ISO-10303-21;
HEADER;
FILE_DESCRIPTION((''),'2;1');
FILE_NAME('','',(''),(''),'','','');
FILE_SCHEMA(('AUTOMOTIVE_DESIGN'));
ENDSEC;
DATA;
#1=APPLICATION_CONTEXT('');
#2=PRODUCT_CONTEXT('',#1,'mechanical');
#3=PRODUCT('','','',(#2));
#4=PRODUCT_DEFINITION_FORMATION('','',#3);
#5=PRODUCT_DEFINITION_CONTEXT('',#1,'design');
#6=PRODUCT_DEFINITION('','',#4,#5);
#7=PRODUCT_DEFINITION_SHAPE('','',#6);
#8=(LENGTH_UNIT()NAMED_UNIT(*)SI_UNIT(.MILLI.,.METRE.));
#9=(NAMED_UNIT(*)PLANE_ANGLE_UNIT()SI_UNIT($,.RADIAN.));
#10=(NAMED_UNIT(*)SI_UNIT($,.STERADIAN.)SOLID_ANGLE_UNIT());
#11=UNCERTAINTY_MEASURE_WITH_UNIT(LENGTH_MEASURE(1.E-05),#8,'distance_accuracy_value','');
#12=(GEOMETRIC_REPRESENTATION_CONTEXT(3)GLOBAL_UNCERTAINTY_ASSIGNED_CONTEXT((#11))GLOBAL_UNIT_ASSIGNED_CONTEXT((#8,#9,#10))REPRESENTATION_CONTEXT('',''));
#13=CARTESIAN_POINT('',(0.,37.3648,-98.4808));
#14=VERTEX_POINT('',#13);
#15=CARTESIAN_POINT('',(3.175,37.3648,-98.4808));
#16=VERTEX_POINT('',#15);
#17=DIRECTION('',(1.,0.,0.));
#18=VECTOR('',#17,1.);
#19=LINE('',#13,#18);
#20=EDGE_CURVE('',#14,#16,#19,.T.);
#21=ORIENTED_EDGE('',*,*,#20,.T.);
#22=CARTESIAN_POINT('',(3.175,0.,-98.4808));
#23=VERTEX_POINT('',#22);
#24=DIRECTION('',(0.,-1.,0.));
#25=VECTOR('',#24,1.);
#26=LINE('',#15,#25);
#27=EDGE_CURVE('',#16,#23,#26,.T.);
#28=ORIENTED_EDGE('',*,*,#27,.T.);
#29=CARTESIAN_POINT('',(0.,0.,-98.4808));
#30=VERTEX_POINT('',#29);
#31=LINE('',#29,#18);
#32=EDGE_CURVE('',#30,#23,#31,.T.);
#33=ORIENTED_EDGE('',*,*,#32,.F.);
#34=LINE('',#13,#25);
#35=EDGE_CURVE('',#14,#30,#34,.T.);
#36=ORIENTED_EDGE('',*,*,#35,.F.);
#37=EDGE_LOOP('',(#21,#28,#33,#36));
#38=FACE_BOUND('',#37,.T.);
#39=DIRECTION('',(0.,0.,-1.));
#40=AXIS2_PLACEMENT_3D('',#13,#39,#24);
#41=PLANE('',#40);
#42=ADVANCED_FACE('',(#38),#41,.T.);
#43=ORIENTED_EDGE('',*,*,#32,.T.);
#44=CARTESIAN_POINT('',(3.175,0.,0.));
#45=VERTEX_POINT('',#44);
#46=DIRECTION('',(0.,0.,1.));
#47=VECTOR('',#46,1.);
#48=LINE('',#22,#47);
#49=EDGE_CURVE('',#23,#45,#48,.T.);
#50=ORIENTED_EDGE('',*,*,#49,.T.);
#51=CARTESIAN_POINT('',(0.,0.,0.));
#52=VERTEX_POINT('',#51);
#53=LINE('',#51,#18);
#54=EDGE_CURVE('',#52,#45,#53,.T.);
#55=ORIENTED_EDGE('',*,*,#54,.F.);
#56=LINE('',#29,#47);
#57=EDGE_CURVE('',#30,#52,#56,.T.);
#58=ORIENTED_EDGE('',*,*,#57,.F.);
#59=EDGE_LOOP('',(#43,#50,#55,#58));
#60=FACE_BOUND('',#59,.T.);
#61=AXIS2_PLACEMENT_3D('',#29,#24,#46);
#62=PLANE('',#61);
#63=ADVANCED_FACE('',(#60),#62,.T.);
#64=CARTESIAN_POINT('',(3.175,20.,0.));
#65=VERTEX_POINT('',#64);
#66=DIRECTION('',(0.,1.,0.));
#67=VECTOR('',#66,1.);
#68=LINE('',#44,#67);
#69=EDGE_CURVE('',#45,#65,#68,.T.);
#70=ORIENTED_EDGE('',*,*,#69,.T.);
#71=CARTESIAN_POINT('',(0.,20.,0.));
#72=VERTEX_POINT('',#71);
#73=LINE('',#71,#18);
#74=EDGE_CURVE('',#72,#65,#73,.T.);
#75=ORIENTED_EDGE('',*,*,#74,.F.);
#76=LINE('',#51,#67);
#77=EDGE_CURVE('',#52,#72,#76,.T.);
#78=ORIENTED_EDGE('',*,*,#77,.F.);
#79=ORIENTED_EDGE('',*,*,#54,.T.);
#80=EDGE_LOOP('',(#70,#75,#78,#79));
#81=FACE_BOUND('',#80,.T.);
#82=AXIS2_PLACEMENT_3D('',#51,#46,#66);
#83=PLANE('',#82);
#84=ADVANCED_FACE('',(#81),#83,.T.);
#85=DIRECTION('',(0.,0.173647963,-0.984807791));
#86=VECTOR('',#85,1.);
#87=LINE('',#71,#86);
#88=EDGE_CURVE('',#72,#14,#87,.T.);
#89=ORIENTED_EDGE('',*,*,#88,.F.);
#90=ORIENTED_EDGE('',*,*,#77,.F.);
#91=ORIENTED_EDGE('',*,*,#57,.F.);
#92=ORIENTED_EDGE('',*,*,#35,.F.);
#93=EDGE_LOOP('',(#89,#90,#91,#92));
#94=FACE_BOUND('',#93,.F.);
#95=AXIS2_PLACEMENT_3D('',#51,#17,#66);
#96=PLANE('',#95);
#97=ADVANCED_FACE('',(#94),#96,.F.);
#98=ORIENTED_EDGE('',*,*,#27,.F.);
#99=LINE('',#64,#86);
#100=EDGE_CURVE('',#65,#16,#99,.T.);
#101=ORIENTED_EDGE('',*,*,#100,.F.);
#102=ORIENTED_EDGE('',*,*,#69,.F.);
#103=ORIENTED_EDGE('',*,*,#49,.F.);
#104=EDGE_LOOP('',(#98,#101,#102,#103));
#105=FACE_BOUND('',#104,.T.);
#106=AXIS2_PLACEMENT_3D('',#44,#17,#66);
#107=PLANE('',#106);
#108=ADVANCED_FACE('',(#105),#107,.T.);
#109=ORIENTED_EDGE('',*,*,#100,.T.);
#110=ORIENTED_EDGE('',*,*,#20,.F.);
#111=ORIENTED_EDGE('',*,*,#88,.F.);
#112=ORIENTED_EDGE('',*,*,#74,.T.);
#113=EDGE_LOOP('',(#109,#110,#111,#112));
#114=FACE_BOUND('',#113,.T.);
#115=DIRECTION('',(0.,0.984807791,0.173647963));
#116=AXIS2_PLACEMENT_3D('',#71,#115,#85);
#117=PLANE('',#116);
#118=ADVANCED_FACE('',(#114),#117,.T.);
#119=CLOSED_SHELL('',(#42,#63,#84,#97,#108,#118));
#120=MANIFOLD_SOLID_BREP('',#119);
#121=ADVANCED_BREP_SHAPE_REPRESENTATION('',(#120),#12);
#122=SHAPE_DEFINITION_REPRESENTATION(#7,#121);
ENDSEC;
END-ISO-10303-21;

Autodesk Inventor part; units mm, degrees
ref_plane "YZ Plane" through (0, 0, 0) normal (1, 0, 0) x (0, 1, 0)
ref_plane "XZ Plane" through (0, 0, 0) normal (0, 1, 0) x (-1, 0, 0)
ref_plane "XY Plane" through (0, 0, 0) normal (0, 0, 1) x (1, 0, 0)
sketch "Sketch1" plane through (0, 0, 0) normal (1, 0, 0) x (0, 1, 0)
  line L0 (0, 0) -> (20, 0)
  line L1 (20, 0) -> (37.3648, -98.4808)
  line L2 (37.3648, -98.4808) -> (0, -98.4808)
  line L3 (0, -98.4808) -> (0, 0)
  dimension "d0" = 20
  dimension "d1" = 100
  dimension "d4" = 98.4808
  dimension "d5" = 100
extrude "Extrusion1" add sketch "Sketch1" along normal blind 3.175
properties part number "sides" material "Acrylic"
